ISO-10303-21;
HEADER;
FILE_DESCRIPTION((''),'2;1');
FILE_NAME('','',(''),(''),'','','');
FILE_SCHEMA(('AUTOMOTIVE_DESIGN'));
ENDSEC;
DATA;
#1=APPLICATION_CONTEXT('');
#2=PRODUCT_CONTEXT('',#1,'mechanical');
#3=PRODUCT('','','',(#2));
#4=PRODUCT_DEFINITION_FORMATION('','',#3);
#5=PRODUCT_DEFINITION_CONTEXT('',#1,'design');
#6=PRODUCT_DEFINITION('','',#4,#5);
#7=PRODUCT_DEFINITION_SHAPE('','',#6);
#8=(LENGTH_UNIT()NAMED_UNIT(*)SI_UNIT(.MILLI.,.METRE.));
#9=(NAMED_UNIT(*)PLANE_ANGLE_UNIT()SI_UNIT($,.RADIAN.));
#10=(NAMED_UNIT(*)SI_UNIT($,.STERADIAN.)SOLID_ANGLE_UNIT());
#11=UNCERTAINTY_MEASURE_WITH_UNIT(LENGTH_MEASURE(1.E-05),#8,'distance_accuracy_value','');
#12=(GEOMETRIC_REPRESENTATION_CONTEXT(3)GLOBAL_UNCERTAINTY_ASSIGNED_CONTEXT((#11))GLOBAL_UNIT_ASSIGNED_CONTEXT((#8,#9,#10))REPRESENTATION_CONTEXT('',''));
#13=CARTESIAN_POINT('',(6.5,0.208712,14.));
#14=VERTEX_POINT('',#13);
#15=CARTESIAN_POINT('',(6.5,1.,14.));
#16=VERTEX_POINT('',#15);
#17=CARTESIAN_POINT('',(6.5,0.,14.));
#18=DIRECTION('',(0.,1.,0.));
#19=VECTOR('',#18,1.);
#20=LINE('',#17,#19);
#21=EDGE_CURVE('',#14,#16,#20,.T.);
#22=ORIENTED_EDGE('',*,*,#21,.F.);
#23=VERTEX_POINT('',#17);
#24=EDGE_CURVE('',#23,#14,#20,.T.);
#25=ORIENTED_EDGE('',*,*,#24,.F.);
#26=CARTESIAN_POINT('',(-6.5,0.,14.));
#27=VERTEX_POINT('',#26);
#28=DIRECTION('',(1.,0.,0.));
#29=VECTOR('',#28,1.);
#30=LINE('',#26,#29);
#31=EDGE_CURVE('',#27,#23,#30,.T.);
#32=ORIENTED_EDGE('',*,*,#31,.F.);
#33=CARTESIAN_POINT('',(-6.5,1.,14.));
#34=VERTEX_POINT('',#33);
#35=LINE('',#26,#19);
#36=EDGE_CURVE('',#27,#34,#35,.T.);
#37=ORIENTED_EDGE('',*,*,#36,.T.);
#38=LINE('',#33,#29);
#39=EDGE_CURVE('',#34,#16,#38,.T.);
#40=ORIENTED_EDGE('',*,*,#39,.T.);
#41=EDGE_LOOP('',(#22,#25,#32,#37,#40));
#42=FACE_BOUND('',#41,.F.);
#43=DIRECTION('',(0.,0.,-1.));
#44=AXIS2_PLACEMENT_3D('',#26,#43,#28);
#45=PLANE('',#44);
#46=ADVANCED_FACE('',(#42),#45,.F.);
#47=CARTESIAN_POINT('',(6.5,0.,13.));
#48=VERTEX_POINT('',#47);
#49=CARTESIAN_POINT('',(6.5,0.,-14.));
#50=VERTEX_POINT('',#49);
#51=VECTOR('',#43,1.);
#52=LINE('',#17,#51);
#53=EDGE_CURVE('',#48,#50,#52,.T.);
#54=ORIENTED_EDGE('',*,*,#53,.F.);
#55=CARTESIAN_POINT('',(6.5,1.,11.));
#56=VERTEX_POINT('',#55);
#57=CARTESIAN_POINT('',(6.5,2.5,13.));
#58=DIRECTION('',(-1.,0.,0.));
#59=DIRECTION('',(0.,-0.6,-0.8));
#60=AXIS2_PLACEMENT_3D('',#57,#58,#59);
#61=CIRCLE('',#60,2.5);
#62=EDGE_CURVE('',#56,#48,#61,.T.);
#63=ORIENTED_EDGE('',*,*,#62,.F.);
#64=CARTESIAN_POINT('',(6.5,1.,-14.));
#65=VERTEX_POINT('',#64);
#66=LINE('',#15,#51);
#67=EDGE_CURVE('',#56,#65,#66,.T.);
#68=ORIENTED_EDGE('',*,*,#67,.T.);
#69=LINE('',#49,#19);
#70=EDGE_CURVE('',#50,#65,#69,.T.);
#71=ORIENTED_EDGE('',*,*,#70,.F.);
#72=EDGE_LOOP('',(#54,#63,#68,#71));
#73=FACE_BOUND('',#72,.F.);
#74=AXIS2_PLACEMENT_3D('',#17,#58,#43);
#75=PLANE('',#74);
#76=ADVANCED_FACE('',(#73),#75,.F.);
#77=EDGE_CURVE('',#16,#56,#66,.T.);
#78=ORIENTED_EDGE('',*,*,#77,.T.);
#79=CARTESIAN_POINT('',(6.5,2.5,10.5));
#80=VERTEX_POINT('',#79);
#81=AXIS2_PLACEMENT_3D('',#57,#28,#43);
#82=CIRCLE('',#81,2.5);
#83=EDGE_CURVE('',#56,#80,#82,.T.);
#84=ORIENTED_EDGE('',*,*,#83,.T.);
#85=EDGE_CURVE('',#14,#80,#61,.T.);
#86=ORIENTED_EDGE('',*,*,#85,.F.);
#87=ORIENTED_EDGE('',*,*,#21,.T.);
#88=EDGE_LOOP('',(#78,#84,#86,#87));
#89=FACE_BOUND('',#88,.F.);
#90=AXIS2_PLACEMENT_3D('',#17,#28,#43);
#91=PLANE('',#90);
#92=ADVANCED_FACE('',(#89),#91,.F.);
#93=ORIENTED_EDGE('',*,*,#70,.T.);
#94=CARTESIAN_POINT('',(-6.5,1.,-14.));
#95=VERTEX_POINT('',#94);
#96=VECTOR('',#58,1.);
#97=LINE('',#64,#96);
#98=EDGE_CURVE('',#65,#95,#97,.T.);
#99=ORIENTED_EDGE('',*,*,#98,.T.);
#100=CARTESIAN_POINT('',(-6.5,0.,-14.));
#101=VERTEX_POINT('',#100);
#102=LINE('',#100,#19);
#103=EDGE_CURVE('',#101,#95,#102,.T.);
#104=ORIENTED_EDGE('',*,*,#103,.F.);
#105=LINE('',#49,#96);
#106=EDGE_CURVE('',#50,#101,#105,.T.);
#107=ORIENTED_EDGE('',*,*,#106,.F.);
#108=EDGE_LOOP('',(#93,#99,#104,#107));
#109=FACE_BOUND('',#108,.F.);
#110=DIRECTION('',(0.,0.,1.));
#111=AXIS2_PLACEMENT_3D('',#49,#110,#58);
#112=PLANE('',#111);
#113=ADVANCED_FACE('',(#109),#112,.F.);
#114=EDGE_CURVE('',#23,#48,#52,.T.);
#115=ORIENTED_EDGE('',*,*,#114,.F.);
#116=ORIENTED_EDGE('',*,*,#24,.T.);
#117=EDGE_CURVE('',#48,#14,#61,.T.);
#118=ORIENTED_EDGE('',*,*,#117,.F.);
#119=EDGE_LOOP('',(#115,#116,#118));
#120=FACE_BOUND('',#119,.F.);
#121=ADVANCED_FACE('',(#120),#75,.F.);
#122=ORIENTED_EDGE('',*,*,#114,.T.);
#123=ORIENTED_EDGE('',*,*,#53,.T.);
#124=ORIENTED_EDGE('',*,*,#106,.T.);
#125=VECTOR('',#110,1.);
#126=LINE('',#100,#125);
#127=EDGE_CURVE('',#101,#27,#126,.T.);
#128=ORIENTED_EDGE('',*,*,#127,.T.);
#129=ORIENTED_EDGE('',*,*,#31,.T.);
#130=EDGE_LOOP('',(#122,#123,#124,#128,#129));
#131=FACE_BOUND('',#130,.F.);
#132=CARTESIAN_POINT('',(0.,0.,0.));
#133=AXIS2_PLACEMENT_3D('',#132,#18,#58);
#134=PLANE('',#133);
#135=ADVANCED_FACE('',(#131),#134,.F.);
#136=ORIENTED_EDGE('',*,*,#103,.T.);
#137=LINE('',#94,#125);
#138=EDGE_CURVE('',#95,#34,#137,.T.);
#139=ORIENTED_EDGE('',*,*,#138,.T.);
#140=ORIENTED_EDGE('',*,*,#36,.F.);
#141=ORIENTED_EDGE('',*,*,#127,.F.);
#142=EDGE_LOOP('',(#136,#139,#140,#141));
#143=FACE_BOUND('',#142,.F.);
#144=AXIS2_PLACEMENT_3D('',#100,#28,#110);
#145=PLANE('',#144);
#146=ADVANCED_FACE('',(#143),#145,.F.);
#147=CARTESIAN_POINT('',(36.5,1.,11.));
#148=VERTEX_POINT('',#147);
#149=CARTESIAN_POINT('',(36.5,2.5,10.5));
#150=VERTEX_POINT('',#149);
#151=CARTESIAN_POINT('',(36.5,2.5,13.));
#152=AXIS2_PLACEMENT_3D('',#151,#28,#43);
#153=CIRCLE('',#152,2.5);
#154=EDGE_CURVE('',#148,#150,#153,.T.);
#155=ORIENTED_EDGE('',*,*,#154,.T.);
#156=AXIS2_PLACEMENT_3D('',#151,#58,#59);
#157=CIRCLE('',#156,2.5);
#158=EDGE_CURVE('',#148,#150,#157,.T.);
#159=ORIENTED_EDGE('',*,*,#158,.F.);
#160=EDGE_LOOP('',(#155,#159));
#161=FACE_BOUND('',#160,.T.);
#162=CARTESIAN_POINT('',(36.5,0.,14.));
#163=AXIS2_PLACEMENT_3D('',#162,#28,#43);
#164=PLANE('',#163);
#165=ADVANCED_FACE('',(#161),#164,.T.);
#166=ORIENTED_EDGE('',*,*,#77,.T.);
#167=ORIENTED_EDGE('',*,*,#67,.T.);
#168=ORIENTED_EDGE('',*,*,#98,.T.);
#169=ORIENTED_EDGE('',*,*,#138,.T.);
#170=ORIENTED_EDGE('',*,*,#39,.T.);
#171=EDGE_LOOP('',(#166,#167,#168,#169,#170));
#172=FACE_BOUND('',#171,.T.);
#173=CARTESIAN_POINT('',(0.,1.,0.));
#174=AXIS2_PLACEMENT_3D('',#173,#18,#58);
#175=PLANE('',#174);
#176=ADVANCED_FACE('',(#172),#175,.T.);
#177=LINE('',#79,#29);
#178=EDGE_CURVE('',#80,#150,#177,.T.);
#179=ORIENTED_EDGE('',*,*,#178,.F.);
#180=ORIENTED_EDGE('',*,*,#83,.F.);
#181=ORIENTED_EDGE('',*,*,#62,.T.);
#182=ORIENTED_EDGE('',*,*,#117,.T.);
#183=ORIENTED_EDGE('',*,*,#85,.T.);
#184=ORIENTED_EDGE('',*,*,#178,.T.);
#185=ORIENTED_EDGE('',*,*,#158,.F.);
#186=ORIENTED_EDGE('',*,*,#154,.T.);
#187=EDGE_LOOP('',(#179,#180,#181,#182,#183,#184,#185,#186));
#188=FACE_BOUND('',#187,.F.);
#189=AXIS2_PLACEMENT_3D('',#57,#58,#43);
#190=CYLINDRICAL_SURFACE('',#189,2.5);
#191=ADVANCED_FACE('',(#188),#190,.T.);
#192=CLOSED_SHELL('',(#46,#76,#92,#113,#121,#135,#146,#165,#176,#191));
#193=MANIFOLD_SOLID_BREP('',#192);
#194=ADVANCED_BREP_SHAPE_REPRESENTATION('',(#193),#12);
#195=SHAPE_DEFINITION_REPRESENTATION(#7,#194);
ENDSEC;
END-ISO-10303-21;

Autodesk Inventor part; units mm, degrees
ref_plane "YZ Plane" through (0, 0, 0) normal (1, 0, 0) x (0, 1, 0)
ref_plane "XZ Plane" through (0, 0, 0) normal (0, 1, 0) x (-1, 0, 0)
ref_plane "XY Plane" through (0, 0, 0) normal (0, 0, 1) x (1, 0, 0)
sketch "Sketch1" plane through (0, 0, 0) normal (0, 1, 0) x (-1, 0, 0)
  line L0 (6.5, 14) -> (-6.5, 14)
  line L1 (-6.5, 14) -> (-6.5, -14)
  line L2 (-6.5, -14) -> (6.5, -14)
  line L3 (6.5, -14) -> (6.5, 14)
  line L4 (6.5, 14) -> (-6.5, -14) construction
  line L5 (-6.5, 14) -> (6.5, -14) construction
  point P0 (0, 0)
  dimension "d0" = 13
  dimension "d1" = 28
extrude "Extrusion1" add sketch "Sketch1" along normal blind 1
sketch "Sketch2" plane through (6.5, 0, 14) normal (1, 0, 0) x (0, 0, -1)
  circle A0 centre (1, 1.25) radius 0.25
  circle A1 centre (1, 2.5) radius 2.5
  line L0 (0, 1) -> (28, 1) projected
  line L1 (0, 0) -> (28, 0) projected
  point P0 (14, 0)
  dimension "d4" = 0.5
  dimension "d5" = 5
  dimension "d6" = 1
extrude "Extrusion2" add sketch "Sketch2" along normal blind 30 contours A0 | A1
properties part number "Telemetrie"
